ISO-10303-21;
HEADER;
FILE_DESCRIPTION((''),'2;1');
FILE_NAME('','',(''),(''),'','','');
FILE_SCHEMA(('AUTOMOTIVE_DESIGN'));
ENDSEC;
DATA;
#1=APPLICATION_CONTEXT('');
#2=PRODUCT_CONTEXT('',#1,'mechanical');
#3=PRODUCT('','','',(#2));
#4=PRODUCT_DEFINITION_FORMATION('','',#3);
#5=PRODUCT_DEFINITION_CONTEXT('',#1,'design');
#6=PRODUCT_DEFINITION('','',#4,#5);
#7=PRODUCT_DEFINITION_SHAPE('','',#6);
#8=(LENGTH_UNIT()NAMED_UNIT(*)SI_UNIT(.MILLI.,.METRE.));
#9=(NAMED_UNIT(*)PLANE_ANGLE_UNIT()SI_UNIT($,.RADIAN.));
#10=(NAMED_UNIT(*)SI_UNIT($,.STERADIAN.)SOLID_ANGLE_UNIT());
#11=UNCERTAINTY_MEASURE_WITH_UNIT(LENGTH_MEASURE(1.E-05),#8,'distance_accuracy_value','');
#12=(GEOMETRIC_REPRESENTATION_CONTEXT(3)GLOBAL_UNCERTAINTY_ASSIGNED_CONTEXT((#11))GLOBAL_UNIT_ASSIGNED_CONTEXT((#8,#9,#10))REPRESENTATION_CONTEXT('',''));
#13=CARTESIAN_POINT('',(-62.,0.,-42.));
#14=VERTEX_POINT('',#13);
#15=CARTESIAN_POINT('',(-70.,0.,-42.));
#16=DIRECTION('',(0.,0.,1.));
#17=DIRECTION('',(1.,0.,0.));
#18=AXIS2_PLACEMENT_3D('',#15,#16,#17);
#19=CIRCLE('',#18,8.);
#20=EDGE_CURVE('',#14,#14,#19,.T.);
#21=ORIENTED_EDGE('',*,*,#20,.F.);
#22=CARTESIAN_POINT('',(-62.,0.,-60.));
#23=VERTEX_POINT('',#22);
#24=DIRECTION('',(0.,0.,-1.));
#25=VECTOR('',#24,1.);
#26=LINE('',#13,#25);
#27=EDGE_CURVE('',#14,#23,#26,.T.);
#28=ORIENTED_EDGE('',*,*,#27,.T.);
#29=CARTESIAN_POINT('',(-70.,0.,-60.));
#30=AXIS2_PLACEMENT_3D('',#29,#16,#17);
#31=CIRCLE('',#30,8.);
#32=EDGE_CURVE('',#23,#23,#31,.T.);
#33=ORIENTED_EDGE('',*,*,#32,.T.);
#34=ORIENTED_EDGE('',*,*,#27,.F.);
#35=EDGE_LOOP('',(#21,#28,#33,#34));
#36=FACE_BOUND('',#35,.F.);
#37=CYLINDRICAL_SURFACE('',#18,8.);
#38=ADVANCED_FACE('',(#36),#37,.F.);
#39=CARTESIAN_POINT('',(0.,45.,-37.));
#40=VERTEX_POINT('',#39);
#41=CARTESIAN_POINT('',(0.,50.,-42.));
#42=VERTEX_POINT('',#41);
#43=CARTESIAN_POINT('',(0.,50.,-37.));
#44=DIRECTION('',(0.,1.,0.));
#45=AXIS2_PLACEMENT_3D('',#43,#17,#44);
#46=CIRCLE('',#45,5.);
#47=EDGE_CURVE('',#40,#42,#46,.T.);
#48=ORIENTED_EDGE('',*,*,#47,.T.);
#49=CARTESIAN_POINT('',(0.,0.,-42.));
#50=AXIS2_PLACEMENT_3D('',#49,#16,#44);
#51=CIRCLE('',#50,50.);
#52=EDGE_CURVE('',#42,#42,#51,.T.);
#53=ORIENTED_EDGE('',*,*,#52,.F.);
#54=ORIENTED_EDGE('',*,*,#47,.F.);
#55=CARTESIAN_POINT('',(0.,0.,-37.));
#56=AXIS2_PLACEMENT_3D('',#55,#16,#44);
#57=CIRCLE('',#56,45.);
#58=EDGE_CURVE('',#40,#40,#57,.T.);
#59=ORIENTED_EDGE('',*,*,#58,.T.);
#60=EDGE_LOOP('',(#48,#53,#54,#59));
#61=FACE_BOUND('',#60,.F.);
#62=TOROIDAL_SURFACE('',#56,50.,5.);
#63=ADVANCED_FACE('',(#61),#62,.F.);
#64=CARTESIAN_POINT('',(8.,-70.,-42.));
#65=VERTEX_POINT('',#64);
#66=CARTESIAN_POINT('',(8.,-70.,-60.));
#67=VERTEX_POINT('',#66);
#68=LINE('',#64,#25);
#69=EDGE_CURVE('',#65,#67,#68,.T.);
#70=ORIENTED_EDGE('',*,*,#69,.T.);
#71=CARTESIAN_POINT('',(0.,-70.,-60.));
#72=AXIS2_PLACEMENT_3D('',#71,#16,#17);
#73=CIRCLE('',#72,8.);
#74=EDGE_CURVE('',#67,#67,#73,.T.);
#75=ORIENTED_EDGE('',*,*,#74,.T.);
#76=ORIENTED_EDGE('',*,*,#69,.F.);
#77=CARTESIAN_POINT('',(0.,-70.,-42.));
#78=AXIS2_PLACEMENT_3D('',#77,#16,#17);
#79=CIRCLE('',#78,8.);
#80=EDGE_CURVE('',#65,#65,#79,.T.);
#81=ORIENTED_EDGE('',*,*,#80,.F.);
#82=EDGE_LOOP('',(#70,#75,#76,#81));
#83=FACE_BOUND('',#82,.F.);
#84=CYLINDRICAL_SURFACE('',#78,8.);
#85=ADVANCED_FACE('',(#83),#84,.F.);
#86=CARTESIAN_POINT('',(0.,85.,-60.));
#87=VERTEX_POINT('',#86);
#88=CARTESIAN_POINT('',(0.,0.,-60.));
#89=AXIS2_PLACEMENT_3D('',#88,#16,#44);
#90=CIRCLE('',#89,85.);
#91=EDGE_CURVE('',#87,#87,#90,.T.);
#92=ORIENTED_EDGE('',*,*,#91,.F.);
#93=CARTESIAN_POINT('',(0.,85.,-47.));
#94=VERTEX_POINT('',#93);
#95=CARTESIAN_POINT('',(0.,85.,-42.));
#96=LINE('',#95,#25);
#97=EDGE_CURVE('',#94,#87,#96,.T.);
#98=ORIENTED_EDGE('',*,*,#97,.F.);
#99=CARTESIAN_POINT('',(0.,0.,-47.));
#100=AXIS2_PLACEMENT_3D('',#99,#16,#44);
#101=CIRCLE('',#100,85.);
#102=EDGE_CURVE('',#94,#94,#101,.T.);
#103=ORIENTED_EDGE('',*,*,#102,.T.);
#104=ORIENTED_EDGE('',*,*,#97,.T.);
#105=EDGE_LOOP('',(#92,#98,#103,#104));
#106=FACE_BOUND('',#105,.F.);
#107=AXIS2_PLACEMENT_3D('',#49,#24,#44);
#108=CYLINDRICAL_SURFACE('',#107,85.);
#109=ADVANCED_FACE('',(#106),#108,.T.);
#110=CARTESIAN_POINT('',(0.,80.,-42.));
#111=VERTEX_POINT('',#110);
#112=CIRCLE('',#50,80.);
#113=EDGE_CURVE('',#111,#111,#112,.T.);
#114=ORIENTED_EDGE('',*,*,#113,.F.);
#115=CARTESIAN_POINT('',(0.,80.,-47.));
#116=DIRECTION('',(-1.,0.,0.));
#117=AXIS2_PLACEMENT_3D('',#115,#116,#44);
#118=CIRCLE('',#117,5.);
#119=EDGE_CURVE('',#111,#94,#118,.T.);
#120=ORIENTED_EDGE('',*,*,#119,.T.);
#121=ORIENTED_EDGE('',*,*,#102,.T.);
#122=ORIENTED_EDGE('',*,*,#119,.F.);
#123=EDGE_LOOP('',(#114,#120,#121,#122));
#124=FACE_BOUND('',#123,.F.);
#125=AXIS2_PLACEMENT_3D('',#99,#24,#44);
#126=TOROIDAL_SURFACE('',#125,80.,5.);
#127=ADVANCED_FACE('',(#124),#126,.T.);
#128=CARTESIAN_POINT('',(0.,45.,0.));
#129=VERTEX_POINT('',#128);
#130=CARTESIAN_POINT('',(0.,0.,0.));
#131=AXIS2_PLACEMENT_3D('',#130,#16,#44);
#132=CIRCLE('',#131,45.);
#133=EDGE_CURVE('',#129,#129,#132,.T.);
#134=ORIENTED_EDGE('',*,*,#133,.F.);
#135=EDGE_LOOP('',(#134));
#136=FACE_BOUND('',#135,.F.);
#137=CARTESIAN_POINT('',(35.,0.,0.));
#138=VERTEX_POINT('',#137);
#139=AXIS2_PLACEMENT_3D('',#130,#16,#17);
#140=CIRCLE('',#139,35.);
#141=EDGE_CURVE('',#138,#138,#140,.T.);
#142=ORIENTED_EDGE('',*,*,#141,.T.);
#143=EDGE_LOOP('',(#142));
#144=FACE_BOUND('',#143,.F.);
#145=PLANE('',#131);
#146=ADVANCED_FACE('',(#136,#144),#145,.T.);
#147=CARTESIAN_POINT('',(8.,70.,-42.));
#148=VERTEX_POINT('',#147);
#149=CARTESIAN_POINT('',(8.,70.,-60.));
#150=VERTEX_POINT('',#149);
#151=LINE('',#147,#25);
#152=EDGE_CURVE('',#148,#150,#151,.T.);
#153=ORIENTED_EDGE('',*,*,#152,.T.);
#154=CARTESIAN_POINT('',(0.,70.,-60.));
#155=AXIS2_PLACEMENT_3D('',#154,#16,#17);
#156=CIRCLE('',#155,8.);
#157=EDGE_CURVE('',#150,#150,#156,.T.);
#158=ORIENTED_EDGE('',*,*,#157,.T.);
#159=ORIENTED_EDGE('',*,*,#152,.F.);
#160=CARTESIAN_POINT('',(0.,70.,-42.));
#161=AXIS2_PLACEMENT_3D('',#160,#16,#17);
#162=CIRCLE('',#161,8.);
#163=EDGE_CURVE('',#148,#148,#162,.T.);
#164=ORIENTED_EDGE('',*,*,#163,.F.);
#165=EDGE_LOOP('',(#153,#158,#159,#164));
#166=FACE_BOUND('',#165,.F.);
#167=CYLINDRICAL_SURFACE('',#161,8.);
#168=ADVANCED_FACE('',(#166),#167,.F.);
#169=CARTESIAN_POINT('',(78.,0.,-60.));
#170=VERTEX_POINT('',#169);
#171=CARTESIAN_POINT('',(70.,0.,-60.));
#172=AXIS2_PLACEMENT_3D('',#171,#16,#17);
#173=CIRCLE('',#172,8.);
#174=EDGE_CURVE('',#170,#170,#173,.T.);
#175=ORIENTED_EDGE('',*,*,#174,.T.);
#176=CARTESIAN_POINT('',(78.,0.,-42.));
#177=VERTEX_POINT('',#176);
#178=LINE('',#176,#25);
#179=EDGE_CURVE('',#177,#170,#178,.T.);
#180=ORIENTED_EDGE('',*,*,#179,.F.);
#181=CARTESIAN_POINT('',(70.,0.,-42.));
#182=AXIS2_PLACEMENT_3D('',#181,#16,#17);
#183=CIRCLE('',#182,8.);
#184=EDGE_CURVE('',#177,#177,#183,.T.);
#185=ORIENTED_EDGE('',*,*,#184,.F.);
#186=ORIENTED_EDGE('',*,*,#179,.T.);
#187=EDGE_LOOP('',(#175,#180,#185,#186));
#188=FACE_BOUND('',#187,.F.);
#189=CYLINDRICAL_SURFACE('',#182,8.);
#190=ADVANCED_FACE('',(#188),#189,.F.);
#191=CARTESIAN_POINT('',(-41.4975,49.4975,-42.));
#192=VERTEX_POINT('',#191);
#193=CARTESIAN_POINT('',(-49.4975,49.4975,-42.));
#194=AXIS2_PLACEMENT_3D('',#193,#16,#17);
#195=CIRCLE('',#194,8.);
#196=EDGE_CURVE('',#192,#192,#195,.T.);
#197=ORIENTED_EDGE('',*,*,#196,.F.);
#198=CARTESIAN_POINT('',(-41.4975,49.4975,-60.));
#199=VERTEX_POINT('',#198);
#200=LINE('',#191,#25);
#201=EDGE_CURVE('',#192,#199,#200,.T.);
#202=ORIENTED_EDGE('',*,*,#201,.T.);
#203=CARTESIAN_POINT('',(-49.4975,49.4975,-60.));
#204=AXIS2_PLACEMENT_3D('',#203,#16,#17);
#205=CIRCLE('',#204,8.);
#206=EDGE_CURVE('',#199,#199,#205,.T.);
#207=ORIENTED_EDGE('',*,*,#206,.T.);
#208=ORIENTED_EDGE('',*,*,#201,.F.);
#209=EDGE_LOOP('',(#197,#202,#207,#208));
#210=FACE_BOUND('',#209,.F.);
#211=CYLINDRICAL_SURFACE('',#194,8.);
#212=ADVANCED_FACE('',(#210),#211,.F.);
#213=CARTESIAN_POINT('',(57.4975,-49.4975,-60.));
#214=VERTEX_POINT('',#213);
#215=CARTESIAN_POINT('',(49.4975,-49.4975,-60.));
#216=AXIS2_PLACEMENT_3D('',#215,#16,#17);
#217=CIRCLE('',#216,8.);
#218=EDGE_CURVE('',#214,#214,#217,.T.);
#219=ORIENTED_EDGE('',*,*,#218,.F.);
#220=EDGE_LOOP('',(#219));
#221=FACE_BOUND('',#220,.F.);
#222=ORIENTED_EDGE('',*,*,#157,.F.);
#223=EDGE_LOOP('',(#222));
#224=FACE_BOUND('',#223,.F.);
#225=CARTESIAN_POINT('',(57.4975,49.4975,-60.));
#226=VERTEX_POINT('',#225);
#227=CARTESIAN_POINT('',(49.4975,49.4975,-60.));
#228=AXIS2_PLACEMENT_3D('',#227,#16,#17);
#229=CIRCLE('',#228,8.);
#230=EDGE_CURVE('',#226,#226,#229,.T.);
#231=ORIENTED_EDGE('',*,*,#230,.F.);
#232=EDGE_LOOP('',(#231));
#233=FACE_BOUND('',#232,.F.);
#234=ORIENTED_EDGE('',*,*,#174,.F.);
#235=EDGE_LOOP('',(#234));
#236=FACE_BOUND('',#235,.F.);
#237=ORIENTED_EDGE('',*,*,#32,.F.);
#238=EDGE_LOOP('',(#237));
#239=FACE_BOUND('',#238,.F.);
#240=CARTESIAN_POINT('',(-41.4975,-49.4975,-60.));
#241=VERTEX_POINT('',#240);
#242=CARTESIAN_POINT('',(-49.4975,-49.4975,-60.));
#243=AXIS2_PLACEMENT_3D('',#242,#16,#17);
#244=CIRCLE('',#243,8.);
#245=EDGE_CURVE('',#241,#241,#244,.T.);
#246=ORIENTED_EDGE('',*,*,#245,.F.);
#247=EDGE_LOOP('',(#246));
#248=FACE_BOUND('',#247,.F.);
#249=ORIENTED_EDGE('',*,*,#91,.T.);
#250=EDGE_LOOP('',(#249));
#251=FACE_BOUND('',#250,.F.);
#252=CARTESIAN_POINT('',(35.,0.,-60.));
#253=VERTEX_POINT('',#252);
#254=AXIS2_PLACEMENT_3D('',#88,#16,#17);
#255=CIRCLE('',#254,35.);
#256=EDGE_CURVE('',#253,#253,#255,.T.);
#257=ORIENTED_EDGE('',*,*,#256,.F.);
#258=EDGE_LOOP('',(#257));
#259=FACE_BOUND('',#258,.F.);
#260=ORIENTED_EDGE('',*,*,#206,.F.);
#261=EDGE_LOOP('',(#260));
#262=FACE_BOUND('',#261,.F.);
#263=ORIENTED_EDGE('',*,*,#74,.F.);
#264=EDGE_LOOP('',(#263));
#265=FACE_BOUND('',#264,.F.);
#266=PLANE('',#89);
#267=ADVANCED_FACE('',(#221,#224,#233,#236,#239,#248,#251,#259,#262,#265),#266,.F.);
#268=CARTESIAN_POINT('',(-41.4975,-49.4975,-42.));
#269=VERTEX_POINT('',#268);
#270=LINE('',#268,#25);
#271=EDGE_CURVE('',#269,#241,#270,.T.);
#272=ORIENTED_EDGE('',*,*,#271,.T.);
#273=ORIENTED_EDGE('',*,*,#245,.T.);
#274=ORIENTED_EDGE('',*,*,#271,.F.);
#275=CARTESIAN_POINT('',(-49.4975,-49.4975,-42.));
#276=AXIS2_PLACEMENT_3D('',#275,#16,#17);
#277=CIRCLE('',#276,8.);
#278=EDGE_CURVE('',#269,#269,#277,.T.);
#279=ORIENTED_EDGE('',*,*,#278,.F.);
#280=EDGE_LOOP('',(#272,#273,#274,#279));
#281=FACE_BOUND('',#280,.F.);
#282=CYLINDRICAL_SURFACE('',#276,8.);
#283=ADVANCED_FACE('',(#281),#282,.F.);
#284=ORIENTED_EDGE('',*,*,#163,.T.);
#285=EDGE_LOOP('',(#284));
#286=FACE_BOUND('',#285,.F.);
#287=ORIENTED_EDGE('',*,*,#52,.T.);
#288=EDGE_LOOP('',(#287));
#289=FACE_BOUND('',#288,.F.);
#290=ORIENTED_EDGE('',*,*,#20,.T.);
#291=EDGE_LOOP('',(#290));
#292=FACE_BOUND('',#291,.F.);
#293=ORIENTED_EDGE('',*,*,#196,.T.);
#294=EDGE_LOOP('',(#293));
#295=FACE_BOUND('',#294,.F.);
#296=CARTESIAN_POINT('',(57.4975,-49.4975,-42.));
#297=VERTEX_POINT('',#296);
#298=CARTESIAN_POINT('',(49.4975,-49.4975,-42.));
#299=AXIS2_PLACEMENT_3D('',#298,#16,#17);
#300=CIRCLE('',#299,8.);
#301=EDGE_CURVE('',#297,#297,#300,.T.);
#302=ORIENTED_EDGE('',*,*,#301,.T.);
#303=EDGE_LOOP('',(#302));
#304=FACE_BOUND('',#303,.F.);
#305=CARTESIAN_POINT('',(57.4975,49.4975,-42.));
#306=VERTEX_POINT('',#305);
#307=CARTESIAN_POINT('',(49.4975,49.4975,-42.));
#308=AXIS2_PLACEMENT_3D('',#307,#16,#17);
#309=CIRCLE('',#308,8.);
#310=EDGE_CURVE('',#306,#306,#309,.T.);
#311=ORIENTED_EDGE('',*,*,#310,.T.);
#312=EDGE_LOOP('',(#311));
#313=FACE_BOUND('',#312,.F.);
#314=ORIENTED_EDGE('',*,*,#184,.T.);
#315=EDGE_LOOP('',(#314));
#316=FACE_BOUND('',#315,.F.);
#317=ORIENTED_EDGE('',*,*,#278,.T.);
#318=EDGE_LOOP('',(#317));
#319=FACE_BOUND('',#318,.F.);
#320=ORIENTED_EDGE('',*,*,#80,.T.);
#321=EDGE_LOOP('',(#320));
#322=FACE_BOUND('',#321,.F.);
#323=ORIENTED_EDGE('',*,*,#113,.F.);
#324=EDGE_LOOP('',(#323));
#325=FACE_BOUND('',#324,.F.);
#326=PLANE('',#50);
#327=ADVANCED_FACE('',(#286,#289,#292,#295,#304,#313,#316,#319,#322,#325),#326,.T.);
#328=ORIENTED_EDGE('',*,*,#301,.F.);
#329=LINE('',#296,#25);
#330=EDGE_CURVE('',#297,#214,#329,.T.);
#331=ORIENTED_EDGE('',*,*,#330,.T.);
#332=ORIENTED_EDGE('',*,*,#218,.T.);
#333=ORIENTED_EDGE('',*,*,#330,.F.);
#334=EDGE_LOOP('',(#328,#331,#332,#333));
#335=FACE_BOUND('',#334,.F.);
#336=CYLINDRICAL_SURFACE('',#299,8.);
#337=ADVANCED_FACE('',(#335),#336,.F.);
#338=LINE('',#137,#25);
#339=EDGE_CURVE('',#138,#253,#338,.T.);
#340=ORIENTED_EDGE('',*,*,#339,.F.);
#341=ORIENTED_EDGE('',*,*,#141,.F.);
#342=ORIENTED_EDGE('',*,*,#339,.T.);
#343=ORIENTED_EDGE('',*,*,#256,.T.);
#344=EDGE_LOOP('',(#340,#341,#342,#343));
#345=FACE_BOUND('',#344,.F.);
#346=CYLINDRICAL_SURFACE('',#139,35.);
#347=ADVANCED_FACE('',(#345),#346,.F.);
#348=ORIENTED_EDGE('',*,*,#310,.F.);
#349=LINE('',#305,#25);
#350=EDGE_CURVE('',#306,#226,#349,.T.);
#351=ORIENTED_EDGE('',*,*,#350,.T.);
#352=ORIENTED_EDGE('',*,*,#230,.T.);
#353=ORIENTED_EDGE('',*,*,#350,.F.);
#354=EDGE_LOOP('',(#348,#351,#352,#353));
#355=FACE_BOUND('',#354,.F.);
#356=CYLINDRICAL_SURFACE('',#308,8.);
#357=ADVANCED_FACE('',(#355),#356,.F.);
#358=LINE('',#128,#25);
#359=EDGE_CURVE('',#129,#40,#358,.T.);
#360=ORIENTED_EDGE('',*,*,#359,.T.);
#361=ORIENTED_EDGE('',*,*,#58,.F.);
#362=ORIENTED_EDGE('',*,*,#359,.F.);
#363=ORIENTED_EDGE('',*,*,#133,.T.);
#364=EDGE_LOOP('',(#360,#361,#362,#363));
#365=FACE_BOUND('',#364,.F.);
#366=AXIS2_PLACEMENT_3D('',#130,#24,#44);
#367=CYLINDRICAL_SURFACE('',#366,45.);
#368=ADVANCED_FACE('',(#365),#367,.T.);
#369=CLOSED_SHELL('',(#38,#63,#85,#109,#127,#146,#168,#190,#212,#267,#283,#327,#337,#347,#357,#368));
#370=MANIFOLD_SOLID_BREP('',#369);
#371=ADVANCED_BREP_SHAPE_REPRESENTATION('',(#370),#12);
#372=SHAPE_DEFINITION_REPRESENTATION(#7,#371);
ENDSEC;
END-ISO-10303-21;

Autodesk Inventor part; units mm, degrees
ref_plane "YZ Plane" through (0, 0, 0) normal (1, 0, 0) x (0, 1, 0)
ref_plane "XZ Plane" through (0, 0, 0) normal (0, 1, 0) x (-1, 0, 0)
ref_plane "XY Plane" through (0, 0, 0) normal (0, 0, 1) x (1, 0, 0)
sketch "草圖1" plane through (0, 0, 0) normal (1, 0, 0) x (0, 1, 0)
  line L0 (0, 0) -> (45, 0)
  line L1 (45, 0) -> (45, -42)
  line L2 (45, -42) -> (85, -42)
  line L3 (85, -42) -> (85, -60)
  line L4 (85, -60) -> (0, -60)
  line L5 (0, -60) -> (0, 0)
  dimension "d0" = 60
  dimension "d1" = 85
  dimension "d2" = 42
  dimension "d3" = 40
revolve "迴轉1" add sketch "草圖1" angle 360 about axis through (0, 0, -60) along (0, 0, 1)
sketch "草圖2" plane through (0, 0, -42) normal (0, 0, 1) x (1, 0, 0)
  circle A0 centre (0, 0) radius 70 construction
  circle A1 centre (0, 70) radius 8
  circle A2 centre (-49.4975, 49.4975) radius 8
  circle A3 centre (-70, 0) radius 8
  circle A4 centre (-49.4975, -49.4975) radius 8
  circle A5 centre (0, -70) radius 8
  circle A6 centre (49.4975, -49.4975) radius 8
  circle A7 centre (70, 0) radius 8
  circle A8 centre (49.4975, 49.4975) radius 8
  dimension "d5" = 140
  dimension "d6" = 16
  dimension "d7" = 70
  dimension "d12" = 360
extrude "擠出1" cut sketch "草圖2" against normal up to next
sketch "草圖4" plane through (0, 0, 0) normal (0, 0, 1) x (1, 0, 0)
  circle A0 centre (0, 0) radius 35
  dimension "d14" = 70
extrude "擠出2" cut sketch "草圖4" against normal up to next
fillet "圓角1" radius 5 2 edges at (0, -45, -42) (0, -85, -42)
properties part number "410571040-T3"
